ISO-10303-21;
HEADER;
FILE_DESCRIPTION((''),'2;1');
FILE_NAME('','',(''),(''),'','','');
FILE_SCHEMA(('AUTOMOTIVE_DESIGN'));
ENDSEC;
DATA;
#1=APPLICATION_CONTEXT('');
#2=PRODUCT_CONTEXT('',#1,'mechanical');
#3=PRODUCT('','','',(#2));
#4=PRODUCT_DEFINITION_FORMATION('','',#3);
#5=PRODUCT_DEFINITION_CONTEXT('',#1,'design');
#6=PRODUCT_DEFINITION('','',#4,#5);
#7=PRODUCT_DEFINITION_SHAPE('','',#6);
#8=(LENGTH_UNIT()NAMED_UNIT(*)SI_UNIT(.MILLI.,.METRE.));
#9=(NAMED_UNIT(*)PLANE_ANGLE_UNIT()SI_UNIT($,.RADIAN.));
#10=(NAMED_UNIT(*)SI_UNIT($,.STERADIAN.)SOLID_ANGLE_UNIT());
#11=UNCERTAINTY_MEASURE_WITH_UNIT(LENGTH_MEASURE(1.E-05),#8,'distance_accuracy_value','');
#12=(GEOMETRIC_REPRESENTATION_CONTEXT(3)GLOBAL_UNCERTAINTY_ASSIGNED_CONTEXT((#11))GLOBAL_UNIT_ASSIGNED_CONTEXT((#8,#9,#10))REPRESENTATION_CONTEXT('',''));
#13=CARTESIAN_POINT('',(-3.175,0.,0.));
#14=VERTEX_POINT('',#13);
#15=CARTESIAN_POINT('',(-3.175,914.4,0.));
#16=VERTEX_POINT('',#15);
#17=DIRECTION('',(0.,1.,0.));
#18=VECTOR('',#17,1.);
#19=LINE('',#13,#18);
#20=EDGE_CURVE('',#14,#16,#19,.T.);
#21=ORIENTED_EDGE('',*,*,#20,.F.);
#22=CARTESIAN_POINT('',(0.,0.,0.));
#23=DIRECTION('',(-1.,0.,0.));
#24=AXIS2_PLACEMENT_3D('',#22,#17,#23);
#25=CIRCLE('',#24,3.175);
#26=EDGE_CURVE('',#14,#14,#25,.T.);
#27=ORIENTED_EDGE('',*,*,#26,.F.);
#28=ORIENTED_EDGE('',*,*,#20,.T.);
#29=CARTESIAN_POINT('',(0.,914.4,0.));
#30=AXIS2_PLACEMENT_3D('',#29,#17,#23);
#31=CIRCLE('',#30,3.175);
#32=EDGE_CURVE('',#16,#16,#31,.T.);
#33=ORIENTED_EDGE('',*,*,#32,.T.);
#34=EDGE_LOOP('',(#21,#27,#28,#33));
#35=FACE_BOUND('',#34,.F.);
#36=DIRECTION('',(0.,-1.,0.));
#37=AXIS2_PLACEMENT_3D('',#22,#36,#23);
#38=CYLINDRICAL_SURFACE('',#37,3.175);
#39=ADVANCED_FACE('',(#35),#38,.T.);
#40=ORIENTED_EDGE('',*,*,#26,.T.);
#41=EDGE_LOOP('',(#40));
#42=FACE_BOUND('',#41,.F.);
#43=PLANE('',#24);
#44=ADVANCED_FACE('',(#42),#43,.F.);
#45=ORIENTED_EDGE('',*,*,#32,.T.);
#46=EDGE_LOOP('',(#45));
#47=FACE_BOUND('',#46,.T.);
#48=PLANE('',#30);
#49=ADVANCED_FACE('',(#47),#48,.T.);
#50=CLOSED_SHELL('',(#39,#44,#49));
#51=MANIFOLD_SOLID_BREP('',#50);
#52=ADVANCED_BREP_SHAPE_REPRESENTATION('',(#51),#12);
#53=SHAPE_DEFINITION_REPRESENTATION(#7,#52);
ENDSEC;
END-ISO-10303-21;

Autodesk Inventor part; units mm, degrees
ref_plane "YZ Plane" through (0, 0, 0) normal (1, 0, 0) x (0, 1, 0)
ref_plane "XZ Plane" through (0, 0, 0) normal (0, 1, 0) x (-1, 0, 0)
ref_plane "XY Plane" through (0, 0, 0) normal (0, 0, 1) x (1, 0, 0)
sketch "Sketch1" plane through (0, 0, 0) normal (0, 1, 0) x (-1, 0, 0)
  circle A0 centre (0, 0) radius 3.175
  dimension "d0" = 6.35
extrude "Extrusion1" add sketch "Sketch1" along normal blind 914.4
thread "Thread1" size "1/4-20 UNC" class "2A" standard "ANSI Unified Screw Threads" full length
properties part number "Lead_Screw_1_4-16"
